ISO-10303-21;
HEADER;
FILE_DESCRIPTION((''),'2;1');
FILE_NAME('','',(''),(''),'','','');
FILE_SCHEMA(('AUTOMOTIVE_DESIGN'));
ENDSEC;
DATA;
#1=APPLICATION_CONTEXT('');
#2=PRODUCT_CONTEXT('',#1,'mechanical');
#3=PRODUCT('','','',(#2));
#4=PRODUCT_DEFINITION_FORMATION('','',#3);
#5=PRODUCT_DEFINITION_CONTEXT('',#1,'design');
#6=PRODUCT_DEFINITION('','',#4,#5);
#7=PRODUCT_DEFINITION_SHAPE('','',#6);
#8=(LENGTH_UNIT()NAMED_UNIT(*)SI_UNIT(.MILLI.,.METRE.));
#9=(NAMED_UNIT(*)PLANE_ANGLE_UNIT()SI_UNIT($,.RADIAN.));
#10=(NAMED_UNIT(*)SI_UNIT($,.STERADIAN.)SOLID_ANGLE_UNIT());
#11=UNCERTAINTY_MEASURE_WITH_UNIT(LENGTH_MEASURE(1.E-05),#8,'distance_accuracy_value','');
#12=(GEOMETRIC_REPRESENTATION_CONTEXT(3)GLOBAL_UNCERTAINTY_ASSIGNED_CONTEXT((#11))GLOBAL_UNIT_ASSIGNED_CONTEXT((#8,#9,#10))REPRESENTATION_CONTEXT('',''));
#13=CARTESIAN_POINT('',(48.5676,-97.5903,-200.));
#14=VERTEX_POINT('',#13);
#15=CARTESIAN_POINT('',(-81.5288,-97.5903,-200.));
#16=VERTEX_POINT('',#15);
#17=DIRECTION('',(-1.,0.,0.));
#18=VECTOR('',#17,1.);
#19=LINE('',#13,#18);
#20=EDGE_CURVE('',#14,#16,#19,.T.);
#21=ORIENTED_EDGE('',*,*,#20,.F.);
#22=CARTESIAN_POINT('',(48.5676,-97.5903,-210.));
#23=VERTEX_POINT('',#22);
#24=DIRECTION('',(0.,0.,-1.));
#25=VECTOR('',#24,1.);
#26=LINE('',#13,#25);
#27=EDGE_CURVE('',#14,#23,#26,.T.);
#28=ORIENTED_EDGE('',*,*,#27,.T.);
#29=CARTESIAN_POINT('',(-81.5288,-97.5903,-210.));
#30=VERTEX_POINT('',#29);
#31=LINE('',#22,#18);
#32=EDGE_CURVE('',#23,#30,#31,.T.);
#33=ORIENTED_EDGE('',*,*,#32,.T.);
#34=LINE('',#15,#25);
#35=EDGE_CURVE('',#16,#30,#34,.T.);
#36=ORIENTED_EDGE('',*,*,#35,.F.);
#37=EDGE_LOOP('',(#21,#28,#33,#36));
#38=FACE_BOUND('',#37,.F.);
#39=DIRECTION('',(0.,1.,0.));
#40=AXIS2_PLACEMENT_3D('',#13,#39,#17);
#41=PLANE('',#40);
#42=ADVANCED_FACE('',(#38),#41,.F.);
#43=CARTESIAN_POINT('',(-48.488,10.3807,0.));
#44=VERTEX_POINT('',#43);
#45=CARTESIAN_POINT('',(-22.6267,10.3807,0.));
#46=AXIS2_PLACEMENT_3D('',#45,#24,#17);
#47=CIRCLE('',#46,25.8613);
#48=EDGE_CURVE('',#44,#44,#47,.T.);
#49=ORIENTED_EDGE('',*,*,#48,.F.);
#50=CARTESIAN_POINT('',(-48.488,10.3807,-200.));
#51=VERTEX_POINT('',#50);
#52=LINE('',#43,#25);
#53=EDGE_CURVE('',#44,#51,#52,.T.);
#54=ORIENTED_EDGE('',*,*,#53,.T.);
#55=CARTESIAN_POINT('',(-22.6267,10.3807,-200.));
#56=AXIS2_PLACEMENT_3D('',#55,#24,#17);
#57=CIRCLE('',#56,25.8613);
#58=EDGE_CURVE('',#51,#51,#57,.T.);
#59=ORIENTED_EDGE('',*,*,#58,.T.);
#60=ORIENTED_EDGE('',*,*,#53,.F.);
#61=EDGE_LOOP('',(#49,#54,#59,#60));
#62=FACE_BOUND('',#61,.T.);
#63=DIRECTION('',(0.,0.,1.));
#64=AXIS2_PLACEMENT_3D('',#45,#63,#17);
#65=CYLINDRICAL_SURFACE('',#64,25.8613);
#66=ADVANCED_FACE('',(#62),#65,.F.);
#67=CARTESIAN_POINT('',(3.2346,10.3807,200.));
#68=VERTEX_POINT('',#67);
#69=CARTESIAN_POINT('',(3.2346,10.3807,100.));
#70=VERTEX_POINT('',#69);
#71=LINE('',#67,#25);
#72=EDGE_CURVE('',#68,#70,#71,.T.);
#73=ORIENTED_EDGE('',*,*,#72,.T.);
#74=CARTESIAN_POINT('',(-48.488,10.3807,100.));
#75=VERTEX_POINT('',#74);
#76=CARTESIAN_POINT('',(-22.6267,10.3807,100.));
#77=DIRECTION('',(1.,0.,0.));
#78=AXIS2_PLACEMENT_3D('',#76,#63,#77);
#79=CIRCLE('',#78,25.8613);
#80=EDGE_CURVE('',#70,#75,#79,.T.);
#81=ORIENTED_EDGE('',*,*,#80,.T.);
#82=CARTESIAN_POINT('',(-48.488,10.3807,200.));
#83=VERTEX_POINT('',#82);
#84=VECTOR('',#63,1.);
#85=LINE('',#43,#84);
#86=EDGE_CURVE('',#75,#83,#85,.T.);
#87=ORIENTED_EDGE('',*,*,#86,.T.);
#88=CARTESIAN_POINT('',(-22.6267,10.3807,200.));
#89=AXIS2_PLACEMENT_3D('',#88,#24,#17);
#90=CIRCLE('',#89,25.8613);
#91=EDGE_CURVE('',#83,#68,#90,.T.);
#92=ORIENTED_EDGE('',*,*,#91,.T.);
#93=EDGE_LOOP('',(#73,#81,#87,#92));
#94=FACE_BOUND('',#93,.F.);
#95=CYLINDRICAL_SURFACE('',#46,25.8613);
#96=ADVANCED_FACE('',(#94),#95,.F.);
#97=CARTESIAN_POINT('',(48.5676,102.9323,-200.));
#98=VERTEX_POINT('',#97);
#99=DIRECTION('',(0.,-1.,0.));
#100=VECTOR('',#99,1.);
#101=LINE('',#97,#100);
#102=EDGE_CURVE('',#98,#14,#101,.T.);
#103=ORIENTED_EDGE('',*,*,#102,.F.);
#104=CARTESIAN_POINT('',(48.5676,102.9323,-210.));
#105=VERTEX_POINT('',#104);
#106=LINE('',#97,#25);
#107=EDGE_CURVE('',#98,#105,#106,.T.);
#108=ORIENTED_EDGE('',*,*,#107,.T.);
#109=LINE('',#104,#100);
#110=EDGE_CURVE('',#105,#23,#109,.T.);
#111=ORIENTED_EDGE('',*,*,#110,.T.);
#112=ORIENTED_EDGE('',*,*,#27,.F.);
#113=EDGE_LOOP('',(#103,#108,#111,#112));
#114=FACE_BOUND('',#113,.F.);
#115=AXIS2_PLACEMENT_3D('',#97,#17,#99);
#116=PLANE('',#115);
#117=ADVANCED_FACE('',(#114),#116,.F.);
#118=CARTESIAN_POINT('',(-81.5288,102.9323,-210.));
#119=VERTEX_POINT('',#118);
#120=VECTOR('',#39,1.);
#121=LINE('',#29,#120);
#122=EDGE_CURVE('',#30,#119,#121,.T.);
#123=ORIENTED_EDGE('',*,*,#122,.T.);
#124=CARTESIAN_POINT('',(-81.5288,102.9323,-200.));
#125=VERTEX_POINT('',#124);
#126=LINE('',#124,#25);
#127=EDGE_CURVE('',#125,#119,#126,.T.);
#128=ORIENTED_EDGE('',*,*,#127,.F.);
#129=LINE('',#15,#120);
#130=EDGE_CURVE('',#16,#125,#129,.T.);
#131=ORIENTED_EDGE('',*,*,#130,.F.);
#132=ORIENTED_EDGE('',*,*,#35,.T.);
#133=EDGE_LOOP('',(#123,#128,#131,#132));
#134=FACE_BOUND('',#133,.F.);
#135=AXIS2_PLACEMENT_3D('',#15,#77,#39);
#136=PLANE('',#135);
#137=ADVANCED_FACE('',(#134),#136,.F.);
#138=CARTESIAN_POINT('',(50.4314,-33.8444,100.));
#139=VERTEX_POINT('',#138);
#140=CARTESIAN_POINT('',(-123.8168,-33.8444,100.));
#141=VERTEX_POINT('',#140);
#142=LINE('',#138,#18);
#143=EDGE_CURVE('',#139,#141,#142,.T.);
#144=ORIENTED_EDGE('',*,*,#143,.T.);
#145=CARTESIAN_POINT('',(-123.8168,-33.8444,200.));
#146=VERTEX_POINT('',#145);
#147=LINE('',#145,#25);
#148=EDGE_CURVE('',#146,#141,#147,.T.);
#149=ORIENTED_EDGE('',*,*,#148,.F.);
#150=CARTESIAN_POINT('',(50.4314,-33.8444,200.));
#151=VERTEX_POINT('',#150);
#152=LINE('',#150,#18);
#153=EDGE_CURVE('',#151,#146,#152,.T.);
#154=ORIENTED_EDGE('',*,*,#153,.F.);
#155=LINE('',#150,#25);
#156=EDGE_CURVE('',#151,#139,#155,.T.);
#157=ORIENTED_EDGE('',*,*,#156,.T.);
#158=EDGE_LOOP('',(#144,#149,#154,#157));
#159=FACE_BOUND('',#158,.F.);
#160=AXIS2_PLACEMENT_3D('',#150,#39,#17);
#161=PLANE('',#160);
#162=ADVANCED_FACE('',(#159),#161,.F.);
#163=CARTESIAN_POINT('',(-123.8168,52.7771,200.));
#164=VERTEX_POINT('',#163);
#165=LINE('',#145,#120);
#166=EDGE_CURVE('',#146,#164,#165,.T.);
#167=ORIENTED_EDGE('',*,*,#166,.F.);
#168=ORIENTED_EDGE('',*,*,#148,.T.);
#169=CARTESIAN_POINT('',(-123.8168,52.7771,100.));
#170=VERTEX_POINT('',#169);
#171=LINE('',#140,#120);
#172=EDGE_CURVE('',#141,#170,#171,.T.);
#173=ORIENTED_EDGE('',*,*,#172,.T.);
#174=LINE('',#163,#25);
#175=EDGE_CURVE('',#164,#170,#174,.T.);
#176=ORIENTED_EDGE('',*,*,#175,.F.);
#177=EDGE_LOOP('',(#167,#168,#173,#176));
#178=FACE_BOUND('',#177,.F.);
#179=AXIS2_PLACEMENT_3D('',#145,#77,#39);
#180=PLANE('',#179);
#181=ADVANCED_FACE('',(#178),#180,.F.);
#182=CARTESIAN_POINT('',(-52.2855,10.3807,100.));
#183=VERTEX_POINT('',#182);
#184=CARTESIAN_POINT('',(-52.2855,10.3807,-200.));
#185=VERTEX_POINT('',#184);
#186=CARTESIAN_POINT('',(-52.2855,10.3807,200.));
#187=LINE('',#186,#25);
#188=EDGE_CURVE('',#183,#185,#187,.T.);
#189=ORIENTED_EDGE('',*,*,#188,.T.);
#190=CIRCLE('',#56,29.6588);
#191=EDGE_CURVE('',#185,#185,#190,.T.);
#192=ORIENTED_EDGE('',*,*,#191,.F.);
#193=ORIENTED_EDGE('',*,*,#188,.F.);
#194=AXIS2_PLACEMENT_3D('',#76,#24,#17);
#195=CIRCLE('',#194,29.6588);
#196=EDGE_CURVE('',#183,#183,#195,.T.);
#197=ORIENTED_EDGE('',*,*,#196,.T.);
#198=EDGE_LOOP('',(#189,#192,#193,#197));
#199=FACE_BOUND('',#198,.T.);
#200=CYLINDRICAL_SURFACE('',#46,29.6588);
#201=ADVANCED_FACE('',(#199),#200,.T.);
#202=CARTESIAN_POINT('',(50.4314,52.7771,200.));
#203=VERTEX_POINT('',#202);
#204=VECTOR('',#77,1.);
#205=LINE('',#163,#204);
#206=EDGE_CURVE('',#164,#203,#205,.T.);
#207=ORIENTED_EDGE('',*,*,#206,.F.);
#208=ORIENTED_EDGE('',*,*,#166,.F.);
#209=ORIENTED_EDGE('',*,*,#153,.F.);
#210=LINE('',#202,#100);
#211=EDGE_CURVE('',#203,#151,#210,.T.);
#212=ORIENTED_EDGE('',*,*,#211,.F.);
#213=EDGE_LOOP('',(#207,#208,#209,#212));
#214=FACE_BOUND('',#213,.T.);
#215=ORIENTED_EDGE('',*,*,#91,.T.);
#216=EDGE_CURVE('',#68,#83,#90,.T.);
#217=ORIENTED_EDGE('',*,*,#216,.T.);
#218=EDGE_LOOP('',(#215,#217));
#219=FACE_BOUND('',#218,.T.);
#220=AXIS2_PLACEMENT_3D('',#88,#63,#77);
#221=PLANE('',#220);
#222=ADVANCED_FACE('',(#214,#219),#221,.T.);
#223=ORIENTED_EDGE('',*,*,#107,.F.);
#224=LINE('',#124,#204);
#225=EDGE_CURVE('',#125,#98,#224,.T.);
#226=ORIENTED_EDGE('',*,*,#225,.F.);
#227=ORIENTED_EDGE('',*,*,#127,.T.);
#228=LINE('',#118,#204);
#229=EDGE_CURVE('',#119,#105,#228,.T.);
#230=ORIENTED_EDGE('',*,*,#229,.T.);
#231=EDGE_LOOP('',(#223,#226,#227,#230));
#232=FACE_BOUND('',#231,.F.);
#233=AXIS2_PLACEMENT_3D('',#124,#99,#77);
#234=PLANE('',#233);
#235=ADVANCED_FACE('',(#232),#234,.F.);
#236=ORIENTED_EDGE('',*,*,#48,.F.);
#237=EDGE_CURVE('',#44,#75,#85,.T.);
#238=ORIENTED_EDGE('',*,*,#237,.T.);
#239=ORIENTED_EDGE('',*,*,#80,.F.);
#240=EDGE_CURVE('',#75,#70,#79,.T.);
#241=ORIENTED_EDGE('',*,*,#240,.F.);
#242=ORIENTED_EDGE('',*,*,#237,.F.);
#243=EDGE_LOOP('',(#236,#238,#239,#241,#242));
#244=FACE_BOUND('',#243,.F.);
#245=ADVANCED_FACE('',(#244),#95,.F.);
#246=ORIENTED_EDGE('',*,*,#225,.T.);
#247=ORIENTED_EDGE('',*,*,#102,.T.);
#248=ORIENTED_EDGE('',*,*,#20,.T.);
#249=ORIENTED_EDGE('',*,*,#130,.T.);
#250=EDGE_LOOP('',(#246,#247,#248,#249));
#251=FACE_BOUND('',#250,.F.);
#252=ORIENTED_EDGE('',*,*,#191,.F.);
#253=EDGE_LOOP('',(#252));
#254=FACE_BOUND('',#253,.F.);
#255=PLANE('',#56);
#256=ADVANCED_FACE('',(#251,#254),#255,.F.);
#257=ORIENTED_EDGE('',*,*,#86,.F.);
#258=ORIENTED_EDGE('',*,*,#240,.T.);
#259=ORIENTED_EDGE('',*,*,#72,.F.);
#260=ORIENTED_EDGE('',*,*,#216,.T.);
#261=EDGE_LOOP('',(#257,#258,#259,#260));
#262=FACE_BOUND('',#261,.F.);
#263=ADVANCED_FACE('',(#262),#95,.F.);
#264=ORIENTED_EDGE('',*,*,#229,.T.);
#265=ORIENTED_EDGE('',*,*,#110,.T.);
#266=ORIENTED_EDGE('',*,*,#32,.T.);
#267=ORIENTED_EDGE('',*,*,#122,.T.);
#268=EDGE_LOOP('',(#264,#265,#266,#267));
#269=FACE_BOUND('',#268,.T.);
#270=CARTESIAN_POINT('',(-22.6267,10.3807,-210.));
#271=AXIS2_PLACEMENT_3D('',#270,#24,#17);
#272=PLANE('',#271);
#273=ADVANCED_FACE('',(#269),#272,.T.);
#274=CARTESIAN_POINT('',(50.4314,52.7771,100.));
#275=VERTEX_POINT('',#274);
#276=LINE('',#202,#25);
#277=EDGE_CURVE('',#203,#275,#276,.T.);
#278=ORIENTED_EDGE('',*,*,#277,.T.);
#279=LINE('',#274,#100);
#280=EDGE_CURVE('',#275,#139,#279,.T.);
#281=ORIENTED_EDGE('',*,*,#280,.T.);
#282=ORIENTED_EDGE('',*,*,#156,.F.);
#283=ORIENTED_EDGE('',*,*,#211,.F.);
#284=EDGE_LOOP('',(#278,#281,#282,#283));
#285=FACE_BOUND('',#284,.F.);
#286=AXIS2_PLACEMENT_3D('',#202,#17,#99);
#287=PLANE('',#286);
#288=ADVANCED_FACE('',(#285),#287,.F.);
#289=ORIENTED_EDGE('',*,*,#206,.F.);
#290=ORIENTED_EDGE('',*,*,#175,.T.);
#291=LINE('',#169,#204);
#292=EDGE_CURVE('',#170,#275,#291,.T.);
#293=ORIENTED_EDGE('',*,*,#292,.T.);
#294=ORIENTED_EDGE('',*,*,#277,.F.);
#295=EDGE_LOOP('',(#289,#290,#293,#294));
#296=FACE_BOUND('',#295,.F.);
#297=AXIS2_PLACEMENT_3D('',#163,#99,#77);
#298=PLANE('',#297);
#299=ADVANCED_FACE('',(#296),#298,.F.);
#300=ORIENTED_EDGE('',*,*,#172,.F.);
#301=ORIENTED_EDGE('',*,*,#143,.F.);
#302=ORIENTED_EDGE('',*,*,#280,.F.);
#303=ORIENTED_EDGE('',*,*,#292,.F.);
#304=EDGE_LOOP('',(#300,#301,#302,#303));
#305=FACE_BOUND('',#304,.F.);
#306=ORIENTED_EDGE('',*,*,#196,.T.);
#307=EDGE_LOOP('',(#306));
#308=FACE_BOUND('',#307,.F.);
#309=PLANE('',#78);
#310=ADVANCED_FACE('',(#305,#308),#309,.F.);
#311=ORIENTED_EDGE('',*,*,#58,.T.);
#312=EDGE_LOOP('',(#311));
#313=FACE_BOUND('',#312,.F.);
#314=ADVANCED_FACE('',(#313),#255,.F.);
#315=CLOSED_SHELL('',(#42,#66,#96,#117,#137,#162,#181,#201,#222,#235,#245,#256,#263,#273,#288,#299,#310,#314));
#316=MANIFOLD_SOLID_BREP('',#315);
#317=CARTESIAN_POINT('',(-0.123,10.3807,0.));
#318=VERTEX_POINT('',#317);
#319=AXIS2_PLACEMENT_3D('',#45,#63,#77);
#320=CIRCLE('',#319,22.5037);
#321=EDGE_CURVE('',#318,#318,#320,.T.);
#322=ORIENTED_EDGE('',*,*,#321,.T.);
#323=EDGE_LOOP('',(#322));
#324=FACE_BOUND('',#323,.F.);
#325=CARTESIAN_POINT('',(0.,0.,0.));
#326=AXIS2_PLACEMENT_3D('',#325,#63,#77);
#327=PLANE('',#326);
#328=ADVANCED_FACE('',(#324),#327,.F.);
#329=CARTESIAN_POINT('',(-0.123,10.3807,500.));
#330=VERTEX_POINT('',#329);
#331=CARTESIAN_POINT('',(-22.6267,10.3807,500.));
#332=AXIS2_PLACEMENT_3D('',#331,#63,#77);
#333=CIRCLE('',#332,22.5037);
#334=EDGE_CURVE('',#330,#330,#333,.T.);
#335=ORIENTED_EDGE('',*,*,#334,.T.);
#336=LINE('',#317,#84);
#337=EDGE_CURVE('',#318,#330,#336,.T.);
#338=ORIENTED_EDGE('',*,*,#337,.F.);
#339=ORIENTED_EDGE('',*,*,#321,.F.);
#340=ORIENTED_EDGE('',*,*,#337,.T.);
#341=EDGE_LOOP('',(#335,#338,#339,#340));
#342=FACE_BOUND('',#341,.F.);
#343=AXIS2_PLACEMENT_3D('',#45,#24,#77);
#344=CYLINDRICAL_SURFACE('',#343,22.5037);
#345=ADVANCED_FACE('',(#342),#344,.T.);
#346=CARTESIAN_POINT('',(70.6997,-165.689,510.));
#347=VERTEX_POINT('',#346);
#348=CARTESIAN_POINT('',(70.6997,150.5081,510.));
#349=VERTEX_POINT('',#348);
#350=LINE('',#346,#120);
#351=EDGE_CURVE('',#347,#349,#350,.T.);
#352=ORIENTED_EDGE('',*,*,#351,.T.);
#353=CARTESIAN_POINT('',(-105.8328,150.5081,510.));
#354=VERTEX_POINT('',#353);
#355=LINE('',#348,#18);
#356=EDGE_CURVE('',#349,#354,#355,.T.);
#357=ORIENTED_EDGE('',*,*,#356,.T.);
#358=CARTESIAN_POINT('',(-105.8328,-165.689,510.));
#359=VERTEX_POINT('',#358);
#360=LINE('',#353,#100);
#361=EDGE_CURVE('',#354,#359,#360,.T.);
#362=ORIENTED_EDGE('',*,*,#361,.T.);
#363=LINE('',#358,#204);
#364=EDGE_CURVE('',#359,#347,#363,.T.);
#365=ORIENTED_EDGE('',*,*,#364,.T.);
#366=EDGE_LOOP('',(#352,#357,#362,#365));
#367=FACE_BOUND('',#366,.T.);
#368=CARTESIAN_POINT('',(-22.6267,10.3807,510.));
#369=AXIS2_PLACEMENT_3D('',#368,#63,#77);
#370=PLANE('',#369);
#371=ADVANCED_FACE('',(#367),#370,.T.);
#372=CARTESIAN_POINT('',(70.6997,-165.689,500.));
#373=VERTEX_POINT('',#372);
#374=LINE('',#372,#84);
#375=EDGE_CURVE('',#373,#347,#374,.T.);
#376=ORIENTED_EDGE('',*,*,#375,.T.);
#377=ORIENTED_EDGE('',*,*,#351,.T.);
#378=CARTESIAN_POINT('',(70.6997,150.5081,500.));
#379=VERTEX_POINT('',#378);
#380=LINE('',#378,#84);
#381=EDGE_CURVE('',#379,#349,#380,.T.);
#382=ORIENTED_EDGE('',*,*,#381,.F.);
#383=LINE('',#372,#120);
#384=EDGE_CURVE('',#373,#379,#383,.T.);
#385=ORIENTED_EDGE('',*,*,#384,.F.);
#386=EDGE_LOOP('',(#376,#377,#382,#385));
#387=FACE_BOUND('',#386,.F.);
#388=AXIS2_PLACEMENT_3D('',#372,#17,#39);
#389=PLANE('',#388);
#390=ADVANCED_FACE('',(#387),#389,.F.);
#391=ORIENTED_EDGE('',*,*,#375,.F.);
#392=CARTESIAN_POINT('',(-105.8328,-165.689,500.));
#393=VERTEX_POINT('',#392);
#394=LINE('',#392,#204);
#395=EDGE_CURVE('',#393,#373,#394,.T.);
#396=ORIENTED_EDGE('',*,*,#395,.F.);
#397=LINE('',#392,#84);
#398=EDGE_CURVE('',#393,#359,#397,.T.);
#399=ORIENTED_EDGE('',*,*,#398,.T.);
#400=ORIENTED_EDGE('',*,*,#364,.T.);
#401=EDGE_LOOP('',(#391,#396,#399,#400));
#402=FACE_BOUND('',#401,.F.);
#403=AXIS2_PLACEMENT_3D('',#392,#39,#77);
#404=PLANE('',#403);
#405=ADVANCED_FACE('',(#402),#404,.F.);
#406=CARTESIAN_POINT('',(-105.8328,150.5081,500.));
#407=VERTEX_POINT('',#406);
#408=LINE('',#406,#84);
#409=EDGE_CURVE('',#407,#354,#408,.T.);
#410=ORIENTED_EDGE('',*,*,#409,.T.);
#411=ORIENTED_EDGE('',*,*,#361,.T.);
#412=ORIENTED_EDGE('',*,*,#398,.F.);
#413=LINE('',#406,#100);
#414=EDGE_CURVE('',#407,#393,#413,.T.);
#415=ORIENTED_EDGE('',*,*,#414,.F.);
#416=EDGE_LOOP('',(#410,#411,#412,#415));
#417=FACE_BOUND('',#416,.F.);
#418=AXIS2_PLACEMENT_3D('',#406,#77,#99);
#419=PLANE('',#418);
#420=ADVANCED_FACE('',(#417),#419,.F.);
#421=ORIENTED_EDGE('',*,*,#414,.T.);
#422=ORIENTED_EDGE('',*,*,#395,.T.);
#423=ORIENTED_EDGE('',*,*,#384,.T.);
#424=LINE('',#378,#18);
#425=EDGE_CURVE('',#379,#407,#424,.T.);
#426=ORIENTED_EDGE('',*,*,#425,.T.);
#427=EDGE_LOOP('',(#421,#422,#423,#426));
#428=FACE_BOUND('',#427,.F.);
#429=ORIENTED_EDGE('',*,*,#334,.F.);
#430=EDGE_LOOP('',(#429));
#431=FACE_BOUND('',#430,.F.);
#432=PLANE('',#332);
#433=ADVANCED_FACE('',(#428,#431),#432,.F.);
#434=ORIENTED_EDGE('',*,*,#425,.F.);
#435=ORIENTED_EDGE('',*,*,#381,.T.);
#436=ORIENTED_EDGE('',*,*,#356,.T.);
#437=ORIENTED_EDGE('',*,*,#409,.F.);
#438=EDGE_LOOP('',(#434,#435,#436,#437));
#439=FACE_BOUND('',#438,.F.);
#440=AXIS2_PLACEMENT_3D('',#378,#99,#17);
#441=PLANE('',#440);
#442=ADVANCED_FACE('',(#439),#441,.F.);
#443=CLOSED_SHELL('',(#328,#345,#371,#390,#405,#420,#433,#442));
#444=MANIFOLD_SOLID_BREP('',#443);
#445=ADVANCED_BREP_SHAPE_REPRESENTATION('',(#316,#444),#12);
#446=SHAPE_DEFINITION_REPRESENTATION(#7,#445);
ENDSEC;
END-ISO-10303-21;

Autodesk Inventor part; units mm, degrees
ref_plane "YZ Plane" through (0, 0, 0) normal (1, 0, 0) x (0, 1, 0)
ref_plane "XZ Plane" through (0, 0, 0) normal (0, 1, 0) x (-1, 0, 0)
ref_plane "XY Plane" through (0, 0, 0) normal (0, 0, 1) x (1, 0, 0)
sketch "Эскиз1" plane through (0, 0, 0) normal (0, 0, 1) x (1, 0, 0)
  circle A0 centre (-22.6267, 10.3807) radius 22.5037
  point P0 (0, 0)
extrude "Выдавливание1" add sketch "Эскиз1" along normal blind 500
sketch "Эскиз2" plane through (-22.6267, 10.3807, 0) normal (0, 0, -1) x (-1, 0, 0)
  circle A0 centre (0, 0) radius 25.8613
  circle A1 centre (0, 0) radius 29.6588
  point P0 (-22.6267, -10.3807)
extrude "Выдавливание2" add sketch "Эскиз2" against normal mid plane 400
sketch "Эскиз3" plane through (-22.6267, 10.3807, -200) normal (0, 0, -1) x (-1, 0, 0)
  line L0 (58.9021, 92.5516) -> (-71.1943, 92.5516)
  line L1 (-71.1943, 92.5516) -> (-71.1943, -107.971)
  line L2 (-71.1943, -107.971) -> (58.9021, -107.971)
  line L3 (58.9021, -107.971) -> (58.9021, 92.5516)
  point P0 (-22.6267, -10.3807)
extrude "Выдавливание3" add sketch "Эскиз3" along normal blind 10
sketch "Эскиз4" plane through (-22.6267, 10.3807, 500) normal (0, 0, 1) x (1, 0, 0)
  line L0 (-83.2061, -176.0697) -> (93.3264, -176.0697)
  line L1 (93.3264, -176.0697) -> (93.3264, 140.1274)
  line L2 (93.3264, 140.1274) -> (-83.2061, 140.1274)
  line L3 (-83.2061, 140.1274) -> (-83.2061, -176.0697)
  point P0 (22.6267, -10.3807)
extrude "Выдавливание4" add sketch "Эскиз4" along normal blind 10
sketch "Эскиз5" plane through (-22.6267, 10.3807, 200) normal (0, 0, 1) x (1, 0, 0)
  line L0 (73.0581, -44.2251) -> (-101.1901, -44.2251)
  line L1 (-101.1901, -44.2251) -> (-101.1901, 42.3964)
  line L2 (-101.1901, 42.3964) -> (73.0581, 42.3964)
  line L3 (73.0581, 42.3964) -> (73.0581, -44.2251)
  circle A0 centre (0, 0) radius 25.8613 projected
  circle A1 centre (0, 0) radius 25.8613
  point P0 (22.6267, -10.3807)
extrude "Выдавливание5" add sketch "Эскиз5" against normal blind 100
properties part number "_3DПЕЧАТЬ"
